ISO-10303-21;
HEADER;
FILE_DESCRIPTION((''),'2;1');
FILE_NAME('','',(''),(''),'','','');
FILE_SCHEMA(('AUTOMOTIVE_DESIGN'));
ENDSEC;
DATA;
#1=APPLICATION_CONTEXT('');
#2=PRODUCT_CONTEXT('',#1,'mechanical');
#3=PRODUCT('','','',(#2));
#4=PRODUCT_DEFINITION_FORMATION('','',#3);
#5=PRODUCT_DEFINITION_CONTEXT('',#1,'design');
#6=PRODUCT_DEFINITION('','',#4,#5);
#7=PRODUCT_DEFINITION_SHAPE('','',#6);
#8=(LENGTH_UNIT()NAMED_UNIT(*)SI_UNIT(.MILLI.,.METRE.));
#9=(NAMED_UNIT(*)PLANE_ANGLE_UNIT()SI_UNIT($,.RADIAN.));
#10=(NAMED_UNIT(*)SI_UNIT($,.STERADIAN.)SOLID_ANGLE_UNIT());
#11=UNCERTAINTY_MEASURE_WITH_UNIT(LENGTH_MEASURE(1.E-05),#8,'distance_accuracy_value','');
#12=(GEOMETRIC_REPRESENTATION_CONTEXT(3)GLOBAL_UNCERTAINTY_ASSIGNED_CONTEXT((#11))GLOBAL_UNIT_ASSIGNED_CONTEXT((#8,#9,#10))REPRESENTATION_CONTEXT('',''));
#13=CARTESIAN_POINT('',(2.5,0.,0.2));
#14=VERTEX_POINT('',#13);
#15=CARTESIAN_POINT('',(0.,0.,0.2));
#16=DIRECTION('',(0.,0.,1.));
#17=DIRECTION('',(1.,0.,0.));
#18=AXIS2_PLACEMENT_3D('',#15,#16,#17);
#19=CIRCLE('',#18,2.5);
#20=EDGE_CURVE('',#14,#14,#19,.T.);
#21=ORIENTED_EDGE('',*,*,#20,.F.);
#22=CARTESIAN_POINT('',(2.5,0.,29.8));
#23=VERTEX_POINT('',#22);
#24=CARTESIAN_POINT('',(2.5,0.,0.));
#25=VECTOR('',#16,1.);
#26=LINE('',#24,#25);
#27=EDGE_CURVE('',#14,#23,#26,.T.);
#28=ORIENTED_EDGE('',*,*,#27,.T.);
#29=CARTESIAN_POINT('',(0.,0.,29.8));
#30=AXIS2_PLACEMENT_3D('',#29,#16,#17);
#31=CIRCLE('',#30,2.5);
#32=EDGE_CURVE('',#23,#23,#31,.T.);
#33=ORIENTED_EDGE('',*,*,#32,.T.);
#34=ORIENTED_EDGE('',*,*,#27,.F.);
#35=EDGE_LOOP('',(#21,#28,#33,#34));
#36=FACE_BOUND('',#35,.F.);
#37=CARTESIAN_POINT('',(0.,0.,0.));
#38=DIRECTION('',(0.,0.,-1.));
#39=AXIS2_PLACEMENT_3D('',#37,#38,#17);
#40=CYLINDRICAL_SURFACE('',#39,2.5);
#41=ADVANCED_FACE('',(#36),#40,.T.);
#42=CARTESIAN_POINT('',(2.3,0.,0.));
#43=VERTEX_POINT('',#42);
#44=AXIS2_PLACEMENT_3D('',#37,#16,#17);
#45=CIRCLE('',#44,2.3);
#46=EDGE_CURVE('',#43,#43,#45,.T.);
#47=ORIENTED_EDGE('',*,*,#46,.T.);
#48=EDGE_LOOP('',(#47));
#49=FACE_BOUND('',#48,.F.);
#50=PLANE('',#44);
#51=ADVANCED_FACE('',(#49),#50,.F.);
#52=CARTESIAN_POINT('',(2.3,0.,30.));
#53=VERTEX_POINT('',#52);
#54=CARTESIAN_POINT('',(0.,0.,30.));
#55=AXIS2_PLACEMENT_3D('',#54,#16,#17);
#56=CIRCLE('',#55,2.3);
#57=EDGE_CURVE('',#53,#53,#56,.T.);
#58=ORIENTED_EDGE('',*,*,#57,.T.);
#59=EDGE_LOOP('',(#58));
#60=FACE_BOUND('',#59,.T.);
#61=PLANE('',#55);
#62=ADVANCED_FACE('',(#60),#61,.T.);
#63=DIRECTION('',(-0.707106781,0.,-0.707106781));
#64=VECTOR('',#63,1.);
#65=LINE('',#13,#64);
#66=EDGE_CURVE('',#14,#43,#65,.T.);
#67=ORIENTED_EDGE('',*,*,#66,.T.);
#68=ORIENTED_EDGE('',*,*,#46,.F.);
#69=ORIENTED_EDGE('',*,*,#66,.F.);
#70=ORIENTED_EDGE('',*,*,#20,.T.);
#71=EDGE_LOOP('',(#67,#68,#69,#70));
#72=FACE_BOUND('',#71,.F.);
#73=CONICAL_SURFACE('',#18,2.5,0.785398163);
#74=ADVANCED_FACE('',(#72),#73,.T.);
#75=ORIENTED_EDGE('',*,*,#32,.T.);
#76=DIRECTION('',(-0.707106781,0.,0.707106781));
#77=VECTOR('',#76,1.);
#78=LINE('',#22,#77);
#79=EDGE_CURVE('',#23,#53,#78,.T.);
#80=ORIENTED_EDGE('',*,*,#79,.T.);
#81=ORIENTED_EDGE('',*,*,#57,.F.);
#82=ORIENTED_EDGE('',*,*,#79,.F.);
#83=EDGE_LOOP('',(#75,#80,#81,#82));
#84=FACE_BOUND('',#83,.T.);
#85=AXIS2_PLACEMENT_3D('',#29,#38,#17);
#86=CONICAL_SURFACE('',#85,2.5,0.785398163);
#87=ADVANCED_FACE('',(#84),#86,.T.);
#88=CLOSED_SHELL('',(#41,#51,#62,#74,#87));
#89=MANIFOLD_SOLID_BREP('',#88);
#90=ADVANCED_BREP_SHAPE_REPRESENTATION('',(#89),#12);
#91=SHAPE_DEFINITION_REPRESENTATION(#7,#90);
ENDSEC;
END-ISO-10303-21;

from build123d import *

# Parameters (mm, degrees)
SKETCH2_R           = 2.5
BOSS_EXTRUDE1_DEPTH = 30
CHAMFER1_SIZE       = 0.2


with BuildPart() as part:
    # Sketch2 → Boss-Extrude1 (new body)
    with BuildSketch(Plane.XY):
        Circle(SKETCH2_R)
    extrude(amount=BOSS_EXTRUDE1_DEPTH)

    # Chamfer1
    chamfer1_edges = [part.edges().sort_by_distance(p)[0] for p in [
        (-2.5, 0, 0),
        (-2.5, 0, 30),
    ]]
    chamfer(chamfer1_edges, length=CHAMFER1_SIZE)


solid = part.part
